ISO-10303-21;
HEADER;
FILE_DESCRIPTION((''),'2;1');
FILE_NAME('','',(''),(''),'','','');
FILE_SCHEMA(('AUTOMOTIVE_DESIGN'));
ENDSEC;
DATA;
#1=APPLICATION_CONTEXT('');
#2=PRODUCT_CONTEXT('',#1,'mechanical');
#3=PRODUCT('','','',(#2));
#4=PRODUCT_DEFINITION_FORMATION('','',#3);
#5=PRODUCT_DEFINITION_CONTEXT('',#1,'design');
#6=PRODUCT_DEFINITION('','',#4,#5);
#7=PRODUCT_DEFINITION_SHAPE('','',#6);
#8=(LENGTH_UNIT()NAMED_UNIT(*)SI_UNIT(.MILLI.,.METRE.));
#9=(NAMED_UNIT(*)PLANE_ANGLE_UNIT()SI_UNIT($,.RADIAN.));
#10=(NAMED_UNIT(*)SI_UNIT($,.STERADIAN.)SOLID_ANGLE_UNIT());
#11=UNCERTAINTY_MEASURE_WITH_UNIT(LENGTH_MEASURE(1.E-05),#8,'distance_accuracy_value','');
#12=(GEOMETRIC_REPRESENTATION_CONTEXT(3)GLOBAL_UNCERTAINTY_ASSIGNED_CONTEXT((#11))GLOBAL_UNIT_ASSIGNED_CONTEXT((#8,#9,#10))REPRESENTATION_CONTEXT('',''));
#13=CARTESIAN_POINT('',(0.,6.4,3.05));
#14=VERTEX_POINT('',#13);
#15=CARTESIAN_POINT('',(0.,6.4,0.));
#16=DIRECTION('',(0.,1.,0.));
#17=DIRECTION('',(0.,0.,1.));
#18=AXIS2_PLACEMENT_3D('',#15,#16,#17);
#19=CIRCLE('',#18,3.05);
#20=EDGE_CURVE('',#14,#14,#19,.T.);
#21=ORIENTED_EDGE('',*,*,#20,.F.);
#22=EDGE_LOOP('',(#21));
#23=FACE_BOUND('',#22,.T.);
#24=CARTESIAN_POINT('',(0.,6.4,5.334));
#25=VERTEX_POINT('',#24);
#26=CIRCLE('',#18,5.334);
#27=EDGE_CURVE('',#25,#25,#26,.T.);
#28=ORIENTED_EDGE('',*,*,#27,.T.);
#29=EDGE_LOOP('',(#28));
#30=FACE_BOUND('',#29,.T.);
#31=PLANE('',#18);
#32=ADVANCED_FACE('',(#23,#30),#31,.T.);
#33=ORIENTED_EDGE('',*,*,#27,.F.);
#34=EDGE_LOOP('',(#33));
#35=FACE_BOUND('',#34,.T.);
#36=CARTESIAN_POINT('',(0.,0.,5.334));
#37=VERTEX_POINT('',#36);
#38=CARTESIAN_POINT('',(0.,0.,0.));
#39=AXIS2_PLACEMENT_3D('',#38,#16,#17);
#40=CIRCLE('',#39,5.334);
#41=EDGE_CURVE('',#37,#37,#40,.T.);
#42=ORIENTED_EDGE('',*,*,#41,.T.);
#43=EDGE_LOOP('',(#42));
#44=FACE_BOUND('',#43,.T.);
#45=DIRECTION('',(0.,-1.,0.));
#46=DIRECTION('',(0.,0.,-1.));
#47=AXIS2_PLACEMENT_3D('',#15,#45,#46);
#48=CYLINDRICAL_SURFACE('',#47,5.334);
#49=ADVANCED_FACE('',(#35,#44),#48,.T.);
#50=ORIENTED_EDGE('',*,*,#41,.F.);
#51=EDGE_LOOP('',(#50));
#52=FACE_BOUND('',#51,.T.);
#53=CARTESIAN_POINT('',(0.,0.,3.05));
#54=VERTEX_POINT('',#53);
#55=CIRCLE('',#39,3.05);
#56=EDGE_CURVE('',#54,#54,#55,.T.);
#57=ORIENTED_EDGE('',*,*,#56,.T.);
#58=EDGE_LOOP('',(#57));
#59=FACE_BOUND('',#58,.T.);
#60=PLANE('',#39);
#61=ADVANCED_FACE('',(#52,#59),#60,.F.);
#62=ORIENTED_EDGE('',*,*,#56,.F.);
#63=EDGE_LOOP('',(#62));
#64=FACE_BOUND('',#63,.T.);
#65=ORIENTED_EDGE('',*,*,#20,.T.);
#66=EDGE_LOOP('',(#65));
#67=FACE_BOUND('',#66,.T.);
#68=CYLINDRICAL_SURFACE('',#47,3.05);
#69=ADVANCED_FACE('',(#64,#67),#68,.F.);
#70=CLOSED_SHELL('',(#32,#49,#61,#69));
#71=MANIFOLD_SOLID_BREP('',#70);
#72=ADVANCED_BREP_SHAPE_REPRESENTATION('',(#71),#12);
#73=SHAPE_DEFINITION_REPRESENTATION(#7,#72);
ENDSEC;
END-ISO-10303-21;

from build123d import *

# Parameters (mm, degrees)
SKETCH1_R           = 5.334
SKETCH1_R_2         = 3.05
BOSS_EXTRUDE1_DEPTH = 6.4


with BuildPart() as part:
    # Sketch1 → Boss-Extrude1 (new body)
    with BuildSketch(Plane(origin=(0, 0, 0), x_dir=(1, 0, 0), z_dir=(0, 1, 0))):
        with Locations(Location((0, 0, 0), (0, 0, 270))):
            Circle(SKETCH1_R)
        with Locations(Location((0, 0, 0), (0, 0, 270))):
            Circle(SKETCH1_R_2, mode=Mode.SUBTRACT)
    extrude(amount=BOSS_EXTRUDE1_DEPTH)


solid = part.part
